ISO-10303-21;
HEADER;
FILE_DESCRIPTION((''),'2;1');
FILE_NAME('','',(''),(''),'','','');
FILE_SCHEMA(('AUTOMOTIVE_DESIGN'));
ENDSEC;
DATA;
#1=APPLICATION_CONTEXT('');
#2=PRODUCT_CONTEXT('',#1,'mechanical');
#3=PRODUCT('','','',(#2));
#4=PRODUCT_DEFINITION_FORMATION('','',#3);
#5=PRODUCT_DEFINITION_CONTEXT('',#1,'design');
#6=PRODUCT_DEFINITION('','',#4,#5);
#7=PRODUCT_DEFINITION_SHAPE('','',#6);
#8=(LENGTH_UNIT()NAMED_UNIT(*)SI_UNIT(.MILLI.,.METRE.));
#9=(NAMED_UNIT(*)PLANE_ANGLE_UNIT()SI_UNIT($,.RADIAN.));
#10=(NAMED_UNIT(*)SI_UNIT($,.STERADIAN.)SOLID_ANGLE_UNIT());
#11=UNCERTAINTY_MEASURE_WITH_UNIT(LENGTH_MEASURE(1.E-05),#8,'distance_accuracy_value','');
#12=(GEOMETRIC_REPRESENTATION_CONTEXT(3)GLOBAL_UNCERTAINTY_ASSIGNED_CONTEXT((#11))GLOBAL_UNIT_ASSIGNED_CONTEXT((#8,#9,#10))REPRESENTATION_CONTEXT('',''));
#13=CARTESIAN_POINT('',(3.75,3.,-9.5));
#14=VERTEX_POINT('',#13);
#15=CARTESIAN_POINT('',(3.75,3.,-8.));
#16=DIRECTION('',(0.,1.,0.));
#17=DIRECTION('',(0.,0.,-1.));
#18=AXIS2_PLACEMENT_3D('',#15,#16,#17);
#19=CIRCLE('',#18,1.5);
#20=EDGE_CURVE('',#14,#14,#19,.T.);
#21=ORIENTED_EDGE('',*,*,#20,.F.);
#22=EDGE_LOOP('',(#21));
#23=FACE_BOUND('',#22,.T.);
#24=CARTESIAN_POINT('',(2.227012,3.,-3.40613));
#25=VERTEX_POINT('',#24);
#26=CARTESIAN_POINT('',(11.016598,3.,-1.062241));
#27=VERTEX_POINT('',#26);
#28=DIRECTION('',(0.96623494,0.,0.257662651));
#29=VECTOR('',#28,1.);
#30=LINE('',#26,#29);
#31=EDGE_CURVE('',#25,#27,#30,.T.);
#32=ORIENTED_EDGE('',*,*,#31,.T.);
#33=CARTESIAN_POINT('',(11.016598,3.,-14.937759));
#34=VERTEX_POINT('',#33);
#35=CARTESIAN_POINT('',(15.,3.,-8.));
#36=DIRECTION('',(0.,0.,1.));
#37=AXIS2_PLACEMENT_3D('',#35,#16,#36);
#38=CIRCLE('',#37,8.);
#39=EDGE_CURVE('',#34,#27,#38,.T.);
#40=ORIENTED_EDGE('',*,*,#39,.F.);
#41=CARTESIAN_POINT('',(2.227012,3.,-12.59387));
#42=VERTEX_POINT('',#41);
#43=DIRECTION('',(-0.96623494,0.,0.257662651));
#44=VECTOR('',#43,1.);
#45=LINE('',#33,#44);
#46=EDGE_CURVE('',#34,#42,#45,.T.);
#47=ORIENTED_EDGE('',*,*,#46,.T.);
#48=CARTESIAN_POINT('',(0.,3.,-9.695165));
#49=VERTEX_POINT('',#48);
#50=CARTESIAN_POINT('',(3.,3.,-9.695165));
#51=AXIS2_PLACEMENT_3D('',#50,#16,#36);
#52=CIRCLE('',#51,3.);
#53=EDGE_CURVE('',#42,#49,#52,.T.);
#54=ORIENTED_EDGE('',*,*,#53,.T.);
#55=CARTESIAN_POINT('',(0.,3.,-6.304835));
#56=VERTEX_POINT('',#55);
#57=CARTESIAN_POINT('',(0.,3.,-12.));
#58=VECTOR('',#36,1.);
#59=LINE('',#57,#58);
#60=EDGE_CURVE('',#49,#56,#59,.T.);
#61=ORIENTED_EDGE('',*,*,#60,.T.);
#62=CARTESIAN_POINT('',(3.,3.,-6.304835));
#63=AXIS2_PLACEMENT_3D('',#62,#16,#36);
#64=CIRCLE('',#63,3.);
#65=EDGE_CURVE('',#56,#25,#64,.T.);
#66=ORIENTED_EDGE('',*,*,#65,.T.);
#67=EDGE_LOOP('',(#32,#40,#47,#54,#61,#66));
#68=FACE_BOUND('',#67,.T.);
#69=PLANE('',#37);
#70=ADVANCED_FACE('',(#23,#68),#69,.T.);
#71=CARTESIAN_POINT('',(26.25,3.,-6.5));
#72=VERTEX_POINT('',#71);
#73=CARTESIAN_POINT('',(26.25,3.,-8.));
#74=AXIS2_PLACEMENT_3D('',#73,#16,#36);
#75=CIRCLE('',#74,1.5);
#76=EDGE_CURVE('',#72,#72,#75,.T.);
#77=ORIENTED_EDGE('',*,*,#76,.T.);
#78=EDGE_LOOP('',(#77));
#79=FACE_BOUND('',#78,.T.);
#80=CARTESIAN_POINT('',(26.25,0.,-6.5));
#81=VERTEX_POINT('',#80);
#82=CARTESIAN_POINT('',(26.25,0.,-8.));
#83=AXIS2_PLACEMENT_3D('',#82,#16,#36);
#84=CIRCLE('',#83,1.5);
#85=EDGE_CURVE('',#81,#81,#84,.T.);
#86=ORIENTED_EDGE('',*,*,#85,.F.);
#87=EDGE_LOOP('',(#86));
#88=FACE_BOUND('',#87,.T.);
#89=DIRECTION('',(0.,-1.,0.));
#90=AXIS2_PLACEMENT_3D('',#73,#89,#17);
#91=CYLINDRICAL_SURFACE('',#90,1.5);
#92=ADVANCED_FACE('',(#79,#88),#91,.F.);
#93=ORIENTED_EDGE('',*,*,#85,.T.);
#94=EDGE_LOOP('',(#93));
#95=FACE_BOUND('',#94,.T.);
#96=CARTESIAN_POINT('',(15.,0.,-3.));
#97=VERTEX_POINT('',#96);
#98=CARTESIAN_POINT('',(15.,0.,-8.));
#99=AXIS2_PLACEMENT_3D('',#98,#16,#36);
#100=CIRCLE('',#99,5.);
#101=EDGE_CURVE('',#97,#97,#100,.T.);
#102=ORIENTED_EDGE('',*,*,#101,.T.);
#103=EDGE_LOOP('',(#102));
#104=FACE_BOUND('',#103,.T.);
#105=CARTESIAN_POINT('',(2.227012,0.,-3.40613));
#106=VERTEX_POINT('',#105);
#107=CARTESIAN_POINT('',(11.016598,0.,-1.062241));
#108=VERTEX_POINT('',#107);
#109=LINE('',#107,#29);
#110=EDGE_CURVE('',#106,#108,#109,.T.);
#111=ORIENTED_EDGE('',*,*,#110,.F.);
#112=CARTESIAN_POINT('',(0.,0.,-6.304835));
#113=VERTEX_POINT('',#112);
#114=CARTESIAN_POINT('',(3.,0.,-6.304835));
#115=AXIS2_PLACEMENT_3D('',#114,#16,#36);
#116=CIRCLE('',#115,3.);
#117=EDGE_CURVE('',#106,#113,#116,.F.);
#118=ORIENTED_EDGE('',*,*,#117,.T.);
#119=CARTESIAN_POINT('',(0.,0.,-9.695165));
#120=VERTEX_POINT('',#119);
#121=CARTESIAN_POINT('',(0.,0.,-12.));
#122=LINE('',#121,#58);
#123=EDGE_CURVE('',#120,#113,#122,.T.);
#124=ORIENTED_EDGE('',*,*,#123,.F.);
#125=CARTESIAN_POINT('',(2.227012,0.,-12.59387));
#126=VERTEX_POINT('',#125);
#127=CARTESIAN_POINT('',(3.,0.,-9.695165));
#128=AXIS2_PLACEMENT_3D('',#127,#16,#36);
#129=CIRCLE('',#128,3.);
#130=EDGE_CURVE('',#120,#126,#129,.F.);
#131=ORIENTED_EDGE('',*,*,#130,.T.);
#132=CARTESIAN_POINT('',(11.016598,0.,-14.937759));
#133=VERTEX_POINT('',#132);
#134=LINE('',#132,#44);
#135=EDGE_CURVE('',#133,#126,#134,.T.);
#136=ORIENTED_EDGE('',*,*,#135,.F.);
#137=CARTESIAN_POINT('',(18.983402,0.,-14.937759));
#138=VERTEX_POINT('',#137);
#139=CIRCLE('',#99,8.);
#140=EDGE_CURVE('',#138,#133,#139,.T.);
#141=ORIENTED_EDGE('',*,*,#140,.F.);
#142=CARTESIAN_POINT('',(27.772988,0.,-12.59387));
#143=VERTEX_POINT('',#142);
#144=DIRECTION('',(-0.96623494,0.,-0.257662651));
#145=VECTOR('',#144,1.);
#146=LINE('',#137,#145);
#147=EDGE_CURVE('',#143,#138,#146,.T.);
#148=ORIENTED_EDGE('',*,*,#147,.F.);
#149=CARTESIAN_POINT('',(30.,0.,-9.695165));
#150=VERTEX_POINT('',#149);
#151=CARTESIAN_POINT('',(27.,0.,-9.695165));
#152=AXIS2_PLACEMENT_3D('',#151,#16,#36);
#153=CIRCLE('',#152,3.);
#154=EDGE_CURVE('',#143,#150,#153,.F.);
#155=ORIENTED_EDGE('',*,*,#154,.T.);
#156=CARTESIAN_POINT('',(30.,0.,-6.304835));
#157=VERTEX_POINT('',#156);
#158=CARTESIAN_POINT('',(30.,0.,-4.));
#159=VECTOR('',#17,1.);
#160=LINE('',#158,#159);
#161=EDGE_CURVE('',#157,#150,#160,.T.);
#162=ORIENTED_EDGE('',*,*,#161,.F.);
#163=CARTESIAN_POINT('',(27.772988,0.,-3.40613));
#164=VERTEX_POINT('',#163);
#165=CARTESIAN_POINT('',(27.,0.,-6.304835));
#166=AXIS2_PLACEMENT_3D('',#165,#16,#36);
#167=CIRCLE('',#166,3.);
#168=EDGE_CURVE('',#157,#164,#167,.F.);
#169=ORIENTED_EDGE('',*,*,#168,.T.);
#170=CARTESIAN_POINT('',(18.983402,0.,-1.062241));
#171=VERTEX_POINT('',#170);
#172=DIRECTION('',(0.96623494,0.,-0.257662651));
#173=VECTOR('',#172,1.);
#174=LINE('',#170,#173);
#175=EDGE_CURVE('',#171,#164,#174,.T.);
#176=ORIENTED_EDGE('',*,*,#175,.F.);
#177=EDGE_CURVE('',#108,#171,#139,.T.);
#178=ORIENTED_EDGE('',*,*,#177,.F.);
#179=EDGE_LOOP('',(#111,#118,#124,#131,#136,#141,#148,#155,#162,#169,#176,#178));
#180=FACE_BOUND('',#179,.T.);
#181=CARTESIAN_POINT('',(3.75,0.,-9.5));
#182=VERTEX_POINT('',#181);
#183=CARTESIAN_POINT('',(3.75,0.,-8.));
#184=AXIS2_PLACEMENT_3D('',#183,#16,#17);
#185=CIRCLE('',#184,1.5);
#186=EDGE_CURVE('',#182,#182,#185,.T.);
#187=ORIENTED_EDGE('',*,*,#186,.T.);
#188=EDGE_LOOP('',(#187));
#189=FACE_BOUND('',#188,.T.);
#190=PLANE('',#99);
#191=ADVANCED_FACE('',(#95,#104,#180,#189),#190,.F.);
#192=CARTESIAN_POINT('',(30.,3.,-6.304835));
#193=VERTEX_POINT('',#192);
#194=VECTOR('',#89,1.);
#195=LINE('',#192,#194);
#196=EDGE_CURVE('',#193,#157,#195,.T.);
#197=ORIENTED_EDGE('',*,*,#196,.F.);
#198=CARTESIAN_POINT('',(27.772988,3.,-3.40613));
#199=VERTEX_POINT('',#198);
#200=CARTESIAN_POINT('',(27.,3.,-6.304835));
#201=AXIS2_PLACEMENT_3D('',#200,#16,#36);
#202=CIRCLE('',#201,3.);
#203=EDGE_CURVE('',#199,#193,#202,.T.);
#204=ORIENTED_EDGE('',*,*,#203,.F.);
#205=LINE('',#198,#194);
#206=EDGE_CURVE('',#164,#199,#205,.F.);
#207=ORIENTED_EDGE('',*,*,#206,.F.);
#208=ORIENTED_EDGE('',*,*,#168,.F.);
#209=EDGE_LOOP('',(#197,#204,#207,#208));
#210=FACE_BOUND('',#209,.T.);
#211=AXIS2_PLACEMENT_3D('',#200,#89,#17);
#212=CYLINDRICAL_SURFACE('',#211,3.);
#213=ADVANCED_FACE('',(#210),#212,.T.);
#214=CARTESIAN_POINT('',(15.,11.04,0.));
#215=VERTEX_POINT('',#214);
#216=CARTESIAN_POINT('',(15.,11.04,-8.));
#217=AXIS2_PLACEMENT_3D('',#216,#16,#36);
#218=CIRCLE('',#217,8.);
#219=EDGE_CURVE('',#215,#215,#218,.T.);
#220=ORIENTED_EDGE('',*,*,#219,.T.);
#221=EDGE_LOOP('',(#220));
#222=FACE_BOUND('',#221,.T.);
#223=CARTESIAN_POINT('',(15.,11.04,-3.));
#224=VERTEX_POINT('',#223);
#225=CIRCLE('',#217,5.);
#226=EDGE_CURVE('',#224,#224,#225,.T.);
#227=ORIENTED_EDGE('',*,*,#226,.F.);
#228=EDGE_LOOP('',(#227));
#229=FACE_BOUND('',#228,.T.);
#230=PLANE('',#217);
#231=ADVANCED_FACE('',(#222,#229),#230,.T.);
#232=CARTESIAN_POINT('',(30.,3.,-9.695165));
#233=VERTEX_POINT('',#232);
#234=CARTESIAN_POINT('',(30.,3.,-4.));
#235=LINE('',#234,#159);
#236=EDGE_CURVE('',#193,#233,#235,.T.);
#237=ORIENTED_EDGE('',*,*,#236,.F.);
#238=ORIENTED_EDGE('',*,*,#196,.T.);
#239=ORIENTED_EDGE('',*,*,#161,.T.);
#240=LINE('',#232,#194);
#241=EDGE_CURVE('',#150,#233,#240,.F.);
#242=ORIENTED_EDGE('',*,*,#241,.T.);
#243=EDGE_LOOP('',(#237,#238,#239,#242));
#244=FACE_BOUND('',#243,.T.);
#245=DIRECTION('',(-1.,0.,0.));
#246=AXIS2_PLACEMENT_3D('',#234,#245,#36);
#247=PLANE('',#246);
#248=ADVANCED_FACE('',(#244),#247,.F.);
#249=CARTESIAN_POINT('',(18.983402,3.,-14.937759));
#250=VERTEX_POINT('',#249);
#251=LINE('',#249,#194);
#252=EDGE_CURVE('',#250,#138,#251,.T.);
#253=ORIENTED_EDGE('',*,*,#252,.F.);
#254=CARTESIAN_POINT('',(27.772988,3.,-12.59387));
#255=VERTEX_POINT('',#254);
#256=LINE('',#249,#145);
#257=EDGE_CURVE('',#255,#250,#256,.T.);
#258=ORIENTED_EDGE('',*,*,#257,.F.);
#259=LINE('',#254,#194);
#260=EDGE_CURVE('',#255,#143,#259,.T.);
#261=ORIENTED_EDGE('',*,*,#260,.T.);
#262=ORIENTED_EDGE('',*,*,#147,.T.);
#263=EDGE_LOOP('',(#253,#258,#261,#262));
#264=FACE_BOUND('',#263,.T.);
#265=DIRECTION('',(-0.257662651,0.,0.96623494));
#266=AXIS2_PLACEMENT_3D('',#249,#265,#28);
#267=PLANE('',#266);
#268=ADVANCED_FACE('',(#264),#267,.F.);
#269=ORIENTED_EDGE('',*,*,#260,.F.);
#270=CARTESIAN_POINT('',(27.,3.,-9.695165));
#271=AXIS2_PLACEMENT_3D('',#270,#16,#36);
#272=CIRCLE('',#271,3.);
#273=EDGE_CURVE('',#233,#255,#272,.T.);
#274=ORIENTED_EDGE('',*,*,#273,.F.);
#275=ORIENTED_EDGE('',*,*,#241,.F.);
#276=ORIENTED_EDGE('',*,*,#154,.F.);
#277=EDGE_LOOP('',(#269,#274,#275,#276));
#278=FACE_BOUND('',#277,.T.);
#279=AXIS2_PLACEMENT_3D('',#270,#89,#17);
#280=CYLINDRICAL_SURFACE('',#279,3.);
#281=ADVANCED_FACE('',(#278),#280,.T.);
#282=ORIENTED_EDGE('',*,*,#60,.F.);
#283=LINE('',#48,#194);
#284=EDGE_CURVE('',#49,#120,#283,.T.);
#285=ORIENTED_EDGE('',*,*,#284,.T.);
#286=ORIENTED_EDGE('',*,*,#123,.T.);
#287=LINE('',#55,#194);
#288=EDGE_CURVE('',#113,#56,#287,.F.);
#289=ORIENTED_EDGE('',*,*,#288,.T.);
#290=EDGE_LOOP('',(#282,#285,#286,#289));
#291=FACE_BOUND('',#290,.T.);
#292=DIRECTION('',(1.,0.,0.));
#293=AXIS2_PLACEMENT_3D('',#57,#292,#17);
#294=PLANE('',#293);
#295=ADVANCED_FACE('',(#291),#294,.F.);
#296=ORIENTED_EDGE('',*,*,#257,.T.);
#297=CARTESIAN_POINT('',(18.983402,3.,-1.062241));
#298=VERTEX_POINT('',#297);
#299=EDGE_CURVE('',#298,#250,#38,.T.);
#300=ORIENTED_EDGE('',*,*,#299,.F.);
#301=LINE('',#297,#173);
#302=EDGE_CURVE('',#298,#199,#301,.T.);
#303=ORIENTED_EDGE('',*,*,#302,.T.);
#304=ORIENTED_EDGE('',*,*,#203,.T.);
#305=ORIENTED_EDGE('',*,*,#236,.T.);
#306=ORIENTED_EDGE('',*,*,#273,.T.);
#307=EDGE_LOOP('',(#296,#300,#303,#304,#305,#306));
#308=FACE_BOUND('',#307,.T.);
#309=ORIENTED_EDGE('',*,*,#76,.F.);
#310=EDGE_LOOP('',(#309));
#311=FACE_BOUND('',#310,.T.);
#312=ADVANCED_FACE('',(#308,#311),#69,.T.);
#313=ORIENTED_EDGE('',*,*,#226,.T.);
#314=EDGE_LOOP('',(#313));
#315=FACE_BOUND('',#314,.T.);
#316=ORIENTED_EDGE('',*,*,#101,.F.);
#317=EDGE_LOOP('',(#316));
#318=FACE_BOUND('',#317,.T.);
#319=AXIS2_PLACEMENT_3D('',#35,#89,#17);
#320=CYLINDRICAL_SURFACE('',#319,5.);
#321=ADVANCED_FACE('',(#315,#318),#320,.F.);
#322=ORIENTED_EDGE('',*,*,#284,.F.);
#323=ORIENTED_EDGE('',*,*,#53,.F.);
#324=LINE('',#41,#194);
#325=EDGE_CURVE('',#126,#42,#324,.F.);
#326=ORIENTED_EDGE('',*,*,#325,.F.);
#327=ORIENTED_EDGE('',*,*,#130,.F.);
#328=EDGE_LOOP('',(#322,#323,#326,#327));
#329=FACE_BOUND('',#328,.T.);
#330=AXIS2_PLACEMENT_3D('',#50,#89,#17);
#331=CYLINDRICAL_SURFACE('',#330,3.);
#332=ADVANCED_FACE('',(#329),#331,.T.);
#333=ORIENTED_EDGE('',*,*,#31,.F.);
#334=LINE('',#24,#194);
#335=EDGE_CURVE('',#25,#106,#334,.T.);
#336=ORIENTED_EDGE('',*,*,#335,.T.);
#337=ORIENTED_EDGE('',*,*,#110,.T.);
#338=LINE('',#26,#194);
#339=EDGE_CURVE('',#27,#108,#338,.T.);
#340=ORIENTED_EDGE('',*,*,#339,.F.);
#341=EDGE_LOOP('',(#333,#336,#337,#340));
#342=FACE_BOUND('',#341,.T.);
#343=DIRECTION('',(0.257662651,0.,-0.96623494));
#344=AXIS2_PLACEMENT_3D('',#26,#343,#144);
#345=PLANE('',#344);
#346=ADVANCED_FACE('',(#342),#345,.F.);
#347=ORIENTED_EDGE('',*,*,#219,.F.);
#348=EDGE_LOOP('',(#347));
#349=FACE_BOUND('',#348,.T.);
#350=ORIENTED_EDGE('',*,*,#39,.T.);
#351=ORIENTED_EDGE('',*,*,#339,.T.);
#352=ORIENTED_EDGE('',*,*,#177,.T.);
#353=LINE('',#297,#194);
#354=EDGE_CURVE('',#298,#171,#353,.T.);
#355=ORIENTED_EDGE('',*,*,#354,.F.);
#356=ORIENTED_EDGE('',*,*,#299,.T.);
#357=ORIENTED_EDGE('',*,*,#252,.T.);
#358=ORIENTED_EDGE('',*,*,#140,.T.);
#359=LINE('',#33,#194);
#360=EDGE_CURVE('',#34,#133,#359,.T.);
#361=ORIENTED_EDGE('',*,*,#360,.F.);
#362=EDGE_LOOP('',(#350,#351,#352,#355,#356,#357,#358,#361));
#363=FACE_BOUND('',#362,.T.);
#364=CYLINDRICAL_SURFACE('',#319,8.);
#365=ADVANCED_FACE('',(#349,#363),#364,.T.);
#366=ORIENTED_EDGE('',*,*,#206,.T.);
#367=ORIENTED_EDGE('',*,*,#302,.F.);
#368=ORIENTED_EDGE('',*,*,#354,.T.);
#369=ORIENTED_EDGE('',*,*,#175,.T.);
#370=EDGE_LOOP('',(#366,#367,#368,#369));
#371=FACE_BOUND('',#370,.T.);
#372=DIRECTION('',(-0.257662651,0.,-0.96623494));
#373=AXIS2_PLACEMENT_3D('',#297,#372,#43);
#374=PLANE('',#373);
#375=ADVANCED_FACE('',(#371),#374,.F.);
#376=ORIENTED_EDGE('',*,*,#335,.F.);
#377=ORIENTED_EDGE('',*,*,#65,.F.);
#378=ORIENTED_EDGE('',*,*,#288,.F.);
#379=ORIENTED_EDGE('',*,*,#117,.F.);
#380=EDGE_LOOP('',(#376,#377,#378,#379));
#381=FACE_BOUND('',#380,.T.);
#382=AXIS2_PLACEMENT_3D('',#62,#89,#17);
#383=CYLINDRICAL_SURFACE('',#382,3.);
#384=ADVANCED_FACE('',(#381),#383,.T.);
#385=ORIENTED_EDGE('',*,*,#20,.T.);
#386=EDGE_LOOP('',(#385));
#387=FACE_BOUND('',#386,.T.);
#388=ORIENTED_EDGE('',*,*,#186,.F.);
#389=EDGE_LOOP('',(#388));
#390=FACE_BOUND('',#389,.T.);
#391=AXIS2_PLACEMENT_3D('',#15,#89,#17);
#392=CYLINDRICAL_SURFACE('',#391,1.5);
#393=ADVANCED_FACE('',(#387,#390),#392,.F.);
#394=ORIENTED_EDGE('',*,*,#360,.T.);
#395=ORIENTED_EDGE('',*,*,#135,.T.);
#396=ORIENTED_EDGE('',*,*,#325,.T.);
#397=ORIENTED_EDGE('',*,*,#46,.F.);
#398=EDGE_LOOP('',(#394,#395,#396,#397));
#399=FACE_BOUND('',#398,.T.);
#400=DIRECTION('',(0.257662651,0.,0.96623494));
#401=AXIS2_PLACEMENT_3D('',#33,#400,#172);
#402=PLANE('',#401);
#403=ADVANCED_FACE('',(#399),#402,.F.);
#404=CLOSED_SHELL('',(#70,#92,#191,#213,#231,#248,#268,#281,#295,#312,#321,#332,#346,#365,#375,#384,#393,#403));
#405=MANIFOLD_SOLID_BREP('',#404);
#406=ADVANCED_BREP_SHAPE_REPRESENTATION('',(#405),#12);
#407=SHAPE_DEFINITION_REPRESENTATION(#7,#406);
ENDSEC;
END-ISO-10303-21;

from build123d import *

# Parameters (mm, degrees)
SKETCH2_R           = 5
SKETCH2_R_2         = 1.5
BOSS_EXTRUDE1_DEPTH = 3
FILLET1_R           = 3
SKETCH3_R           = 8
SKETCH3_R_2         = 5
BOSS_EXTRUDE2_DEPTH = 8.04


with BuildPart() as part:
    # Sketch2 → Boss-Extrude1 (new body)
    with BuildSketch(Plane(origin=(0, 0, 0), x_dir=(1, 0, 0), z_dir=(0, 1, 0))):
        with BuildLine():
            Line((30, 4), (30, 12))
            Line((30, 12), (18.98340249, 14.937759336))
            ThreePointArc((18.98340249, 14.937759336), (15, 16), (11.01659751, 14.937759336))
            Line((11.01659751, 14.937759336), (0, 12))
            Line((0, 12), (0, 4))
            Line((0, 4), (11.01659751, 1.062240664))
            ThreePointArc((11.01659751, 1.062240664), (15, 0), (18.98340249, 1.062240664))
            Line((18.98340249, 1.062240664), (30, 4))
        make_face()
        with Locations(Location((15, 8, 0), (0, 0, 270))):
            Circle(SKETCH2_R, mode=Mode.SUBTRACT)
        with Locations(Location((26.25, 8, 0), (0, 0, 270))):
            Circle(SKETCH2_R_2, mode=Mode.SUBTRACT)
        with Locations(Location((3.75, 8, 0), (0, 0, 90))):
            Circle(SKETCH2_R_2, mode=Mode.SUBTRACT)
    extrude(amount=BOSS_EXTRUDE1_DEPTH)

    # Fillet1
    fillet1_edges = [part.edges().sort_by_distance(p)[0] for p in [
        (0, 1.5, -4),
        (0, 1.5, -12),
        (30, 1.5, -12),
        (30, 1.5, -4),
    ]]
    fillet(fillet1_edges, radius=FILLET1_R)

    # Sketch3 → Boss-Extrude2 (add)
    with BuildSketch(Plane(origin=(0, 3, 0), x_dir=(1, 0, 0), z_dir=(0, 1, 0))):
        with Locations(Location((15, 8, 0), (0, 0, 60.137165644))):
            Circle(SKETCH3_R)
        with Locations(Location((15, 8, 0), (0, 0, 270))):
            Circle(SKETCH3_R_2, mode=Mode.SUBTRACT)
    extrude(amount=BOSS_EXTRUDE2_DEPTH)


solid = part.part
